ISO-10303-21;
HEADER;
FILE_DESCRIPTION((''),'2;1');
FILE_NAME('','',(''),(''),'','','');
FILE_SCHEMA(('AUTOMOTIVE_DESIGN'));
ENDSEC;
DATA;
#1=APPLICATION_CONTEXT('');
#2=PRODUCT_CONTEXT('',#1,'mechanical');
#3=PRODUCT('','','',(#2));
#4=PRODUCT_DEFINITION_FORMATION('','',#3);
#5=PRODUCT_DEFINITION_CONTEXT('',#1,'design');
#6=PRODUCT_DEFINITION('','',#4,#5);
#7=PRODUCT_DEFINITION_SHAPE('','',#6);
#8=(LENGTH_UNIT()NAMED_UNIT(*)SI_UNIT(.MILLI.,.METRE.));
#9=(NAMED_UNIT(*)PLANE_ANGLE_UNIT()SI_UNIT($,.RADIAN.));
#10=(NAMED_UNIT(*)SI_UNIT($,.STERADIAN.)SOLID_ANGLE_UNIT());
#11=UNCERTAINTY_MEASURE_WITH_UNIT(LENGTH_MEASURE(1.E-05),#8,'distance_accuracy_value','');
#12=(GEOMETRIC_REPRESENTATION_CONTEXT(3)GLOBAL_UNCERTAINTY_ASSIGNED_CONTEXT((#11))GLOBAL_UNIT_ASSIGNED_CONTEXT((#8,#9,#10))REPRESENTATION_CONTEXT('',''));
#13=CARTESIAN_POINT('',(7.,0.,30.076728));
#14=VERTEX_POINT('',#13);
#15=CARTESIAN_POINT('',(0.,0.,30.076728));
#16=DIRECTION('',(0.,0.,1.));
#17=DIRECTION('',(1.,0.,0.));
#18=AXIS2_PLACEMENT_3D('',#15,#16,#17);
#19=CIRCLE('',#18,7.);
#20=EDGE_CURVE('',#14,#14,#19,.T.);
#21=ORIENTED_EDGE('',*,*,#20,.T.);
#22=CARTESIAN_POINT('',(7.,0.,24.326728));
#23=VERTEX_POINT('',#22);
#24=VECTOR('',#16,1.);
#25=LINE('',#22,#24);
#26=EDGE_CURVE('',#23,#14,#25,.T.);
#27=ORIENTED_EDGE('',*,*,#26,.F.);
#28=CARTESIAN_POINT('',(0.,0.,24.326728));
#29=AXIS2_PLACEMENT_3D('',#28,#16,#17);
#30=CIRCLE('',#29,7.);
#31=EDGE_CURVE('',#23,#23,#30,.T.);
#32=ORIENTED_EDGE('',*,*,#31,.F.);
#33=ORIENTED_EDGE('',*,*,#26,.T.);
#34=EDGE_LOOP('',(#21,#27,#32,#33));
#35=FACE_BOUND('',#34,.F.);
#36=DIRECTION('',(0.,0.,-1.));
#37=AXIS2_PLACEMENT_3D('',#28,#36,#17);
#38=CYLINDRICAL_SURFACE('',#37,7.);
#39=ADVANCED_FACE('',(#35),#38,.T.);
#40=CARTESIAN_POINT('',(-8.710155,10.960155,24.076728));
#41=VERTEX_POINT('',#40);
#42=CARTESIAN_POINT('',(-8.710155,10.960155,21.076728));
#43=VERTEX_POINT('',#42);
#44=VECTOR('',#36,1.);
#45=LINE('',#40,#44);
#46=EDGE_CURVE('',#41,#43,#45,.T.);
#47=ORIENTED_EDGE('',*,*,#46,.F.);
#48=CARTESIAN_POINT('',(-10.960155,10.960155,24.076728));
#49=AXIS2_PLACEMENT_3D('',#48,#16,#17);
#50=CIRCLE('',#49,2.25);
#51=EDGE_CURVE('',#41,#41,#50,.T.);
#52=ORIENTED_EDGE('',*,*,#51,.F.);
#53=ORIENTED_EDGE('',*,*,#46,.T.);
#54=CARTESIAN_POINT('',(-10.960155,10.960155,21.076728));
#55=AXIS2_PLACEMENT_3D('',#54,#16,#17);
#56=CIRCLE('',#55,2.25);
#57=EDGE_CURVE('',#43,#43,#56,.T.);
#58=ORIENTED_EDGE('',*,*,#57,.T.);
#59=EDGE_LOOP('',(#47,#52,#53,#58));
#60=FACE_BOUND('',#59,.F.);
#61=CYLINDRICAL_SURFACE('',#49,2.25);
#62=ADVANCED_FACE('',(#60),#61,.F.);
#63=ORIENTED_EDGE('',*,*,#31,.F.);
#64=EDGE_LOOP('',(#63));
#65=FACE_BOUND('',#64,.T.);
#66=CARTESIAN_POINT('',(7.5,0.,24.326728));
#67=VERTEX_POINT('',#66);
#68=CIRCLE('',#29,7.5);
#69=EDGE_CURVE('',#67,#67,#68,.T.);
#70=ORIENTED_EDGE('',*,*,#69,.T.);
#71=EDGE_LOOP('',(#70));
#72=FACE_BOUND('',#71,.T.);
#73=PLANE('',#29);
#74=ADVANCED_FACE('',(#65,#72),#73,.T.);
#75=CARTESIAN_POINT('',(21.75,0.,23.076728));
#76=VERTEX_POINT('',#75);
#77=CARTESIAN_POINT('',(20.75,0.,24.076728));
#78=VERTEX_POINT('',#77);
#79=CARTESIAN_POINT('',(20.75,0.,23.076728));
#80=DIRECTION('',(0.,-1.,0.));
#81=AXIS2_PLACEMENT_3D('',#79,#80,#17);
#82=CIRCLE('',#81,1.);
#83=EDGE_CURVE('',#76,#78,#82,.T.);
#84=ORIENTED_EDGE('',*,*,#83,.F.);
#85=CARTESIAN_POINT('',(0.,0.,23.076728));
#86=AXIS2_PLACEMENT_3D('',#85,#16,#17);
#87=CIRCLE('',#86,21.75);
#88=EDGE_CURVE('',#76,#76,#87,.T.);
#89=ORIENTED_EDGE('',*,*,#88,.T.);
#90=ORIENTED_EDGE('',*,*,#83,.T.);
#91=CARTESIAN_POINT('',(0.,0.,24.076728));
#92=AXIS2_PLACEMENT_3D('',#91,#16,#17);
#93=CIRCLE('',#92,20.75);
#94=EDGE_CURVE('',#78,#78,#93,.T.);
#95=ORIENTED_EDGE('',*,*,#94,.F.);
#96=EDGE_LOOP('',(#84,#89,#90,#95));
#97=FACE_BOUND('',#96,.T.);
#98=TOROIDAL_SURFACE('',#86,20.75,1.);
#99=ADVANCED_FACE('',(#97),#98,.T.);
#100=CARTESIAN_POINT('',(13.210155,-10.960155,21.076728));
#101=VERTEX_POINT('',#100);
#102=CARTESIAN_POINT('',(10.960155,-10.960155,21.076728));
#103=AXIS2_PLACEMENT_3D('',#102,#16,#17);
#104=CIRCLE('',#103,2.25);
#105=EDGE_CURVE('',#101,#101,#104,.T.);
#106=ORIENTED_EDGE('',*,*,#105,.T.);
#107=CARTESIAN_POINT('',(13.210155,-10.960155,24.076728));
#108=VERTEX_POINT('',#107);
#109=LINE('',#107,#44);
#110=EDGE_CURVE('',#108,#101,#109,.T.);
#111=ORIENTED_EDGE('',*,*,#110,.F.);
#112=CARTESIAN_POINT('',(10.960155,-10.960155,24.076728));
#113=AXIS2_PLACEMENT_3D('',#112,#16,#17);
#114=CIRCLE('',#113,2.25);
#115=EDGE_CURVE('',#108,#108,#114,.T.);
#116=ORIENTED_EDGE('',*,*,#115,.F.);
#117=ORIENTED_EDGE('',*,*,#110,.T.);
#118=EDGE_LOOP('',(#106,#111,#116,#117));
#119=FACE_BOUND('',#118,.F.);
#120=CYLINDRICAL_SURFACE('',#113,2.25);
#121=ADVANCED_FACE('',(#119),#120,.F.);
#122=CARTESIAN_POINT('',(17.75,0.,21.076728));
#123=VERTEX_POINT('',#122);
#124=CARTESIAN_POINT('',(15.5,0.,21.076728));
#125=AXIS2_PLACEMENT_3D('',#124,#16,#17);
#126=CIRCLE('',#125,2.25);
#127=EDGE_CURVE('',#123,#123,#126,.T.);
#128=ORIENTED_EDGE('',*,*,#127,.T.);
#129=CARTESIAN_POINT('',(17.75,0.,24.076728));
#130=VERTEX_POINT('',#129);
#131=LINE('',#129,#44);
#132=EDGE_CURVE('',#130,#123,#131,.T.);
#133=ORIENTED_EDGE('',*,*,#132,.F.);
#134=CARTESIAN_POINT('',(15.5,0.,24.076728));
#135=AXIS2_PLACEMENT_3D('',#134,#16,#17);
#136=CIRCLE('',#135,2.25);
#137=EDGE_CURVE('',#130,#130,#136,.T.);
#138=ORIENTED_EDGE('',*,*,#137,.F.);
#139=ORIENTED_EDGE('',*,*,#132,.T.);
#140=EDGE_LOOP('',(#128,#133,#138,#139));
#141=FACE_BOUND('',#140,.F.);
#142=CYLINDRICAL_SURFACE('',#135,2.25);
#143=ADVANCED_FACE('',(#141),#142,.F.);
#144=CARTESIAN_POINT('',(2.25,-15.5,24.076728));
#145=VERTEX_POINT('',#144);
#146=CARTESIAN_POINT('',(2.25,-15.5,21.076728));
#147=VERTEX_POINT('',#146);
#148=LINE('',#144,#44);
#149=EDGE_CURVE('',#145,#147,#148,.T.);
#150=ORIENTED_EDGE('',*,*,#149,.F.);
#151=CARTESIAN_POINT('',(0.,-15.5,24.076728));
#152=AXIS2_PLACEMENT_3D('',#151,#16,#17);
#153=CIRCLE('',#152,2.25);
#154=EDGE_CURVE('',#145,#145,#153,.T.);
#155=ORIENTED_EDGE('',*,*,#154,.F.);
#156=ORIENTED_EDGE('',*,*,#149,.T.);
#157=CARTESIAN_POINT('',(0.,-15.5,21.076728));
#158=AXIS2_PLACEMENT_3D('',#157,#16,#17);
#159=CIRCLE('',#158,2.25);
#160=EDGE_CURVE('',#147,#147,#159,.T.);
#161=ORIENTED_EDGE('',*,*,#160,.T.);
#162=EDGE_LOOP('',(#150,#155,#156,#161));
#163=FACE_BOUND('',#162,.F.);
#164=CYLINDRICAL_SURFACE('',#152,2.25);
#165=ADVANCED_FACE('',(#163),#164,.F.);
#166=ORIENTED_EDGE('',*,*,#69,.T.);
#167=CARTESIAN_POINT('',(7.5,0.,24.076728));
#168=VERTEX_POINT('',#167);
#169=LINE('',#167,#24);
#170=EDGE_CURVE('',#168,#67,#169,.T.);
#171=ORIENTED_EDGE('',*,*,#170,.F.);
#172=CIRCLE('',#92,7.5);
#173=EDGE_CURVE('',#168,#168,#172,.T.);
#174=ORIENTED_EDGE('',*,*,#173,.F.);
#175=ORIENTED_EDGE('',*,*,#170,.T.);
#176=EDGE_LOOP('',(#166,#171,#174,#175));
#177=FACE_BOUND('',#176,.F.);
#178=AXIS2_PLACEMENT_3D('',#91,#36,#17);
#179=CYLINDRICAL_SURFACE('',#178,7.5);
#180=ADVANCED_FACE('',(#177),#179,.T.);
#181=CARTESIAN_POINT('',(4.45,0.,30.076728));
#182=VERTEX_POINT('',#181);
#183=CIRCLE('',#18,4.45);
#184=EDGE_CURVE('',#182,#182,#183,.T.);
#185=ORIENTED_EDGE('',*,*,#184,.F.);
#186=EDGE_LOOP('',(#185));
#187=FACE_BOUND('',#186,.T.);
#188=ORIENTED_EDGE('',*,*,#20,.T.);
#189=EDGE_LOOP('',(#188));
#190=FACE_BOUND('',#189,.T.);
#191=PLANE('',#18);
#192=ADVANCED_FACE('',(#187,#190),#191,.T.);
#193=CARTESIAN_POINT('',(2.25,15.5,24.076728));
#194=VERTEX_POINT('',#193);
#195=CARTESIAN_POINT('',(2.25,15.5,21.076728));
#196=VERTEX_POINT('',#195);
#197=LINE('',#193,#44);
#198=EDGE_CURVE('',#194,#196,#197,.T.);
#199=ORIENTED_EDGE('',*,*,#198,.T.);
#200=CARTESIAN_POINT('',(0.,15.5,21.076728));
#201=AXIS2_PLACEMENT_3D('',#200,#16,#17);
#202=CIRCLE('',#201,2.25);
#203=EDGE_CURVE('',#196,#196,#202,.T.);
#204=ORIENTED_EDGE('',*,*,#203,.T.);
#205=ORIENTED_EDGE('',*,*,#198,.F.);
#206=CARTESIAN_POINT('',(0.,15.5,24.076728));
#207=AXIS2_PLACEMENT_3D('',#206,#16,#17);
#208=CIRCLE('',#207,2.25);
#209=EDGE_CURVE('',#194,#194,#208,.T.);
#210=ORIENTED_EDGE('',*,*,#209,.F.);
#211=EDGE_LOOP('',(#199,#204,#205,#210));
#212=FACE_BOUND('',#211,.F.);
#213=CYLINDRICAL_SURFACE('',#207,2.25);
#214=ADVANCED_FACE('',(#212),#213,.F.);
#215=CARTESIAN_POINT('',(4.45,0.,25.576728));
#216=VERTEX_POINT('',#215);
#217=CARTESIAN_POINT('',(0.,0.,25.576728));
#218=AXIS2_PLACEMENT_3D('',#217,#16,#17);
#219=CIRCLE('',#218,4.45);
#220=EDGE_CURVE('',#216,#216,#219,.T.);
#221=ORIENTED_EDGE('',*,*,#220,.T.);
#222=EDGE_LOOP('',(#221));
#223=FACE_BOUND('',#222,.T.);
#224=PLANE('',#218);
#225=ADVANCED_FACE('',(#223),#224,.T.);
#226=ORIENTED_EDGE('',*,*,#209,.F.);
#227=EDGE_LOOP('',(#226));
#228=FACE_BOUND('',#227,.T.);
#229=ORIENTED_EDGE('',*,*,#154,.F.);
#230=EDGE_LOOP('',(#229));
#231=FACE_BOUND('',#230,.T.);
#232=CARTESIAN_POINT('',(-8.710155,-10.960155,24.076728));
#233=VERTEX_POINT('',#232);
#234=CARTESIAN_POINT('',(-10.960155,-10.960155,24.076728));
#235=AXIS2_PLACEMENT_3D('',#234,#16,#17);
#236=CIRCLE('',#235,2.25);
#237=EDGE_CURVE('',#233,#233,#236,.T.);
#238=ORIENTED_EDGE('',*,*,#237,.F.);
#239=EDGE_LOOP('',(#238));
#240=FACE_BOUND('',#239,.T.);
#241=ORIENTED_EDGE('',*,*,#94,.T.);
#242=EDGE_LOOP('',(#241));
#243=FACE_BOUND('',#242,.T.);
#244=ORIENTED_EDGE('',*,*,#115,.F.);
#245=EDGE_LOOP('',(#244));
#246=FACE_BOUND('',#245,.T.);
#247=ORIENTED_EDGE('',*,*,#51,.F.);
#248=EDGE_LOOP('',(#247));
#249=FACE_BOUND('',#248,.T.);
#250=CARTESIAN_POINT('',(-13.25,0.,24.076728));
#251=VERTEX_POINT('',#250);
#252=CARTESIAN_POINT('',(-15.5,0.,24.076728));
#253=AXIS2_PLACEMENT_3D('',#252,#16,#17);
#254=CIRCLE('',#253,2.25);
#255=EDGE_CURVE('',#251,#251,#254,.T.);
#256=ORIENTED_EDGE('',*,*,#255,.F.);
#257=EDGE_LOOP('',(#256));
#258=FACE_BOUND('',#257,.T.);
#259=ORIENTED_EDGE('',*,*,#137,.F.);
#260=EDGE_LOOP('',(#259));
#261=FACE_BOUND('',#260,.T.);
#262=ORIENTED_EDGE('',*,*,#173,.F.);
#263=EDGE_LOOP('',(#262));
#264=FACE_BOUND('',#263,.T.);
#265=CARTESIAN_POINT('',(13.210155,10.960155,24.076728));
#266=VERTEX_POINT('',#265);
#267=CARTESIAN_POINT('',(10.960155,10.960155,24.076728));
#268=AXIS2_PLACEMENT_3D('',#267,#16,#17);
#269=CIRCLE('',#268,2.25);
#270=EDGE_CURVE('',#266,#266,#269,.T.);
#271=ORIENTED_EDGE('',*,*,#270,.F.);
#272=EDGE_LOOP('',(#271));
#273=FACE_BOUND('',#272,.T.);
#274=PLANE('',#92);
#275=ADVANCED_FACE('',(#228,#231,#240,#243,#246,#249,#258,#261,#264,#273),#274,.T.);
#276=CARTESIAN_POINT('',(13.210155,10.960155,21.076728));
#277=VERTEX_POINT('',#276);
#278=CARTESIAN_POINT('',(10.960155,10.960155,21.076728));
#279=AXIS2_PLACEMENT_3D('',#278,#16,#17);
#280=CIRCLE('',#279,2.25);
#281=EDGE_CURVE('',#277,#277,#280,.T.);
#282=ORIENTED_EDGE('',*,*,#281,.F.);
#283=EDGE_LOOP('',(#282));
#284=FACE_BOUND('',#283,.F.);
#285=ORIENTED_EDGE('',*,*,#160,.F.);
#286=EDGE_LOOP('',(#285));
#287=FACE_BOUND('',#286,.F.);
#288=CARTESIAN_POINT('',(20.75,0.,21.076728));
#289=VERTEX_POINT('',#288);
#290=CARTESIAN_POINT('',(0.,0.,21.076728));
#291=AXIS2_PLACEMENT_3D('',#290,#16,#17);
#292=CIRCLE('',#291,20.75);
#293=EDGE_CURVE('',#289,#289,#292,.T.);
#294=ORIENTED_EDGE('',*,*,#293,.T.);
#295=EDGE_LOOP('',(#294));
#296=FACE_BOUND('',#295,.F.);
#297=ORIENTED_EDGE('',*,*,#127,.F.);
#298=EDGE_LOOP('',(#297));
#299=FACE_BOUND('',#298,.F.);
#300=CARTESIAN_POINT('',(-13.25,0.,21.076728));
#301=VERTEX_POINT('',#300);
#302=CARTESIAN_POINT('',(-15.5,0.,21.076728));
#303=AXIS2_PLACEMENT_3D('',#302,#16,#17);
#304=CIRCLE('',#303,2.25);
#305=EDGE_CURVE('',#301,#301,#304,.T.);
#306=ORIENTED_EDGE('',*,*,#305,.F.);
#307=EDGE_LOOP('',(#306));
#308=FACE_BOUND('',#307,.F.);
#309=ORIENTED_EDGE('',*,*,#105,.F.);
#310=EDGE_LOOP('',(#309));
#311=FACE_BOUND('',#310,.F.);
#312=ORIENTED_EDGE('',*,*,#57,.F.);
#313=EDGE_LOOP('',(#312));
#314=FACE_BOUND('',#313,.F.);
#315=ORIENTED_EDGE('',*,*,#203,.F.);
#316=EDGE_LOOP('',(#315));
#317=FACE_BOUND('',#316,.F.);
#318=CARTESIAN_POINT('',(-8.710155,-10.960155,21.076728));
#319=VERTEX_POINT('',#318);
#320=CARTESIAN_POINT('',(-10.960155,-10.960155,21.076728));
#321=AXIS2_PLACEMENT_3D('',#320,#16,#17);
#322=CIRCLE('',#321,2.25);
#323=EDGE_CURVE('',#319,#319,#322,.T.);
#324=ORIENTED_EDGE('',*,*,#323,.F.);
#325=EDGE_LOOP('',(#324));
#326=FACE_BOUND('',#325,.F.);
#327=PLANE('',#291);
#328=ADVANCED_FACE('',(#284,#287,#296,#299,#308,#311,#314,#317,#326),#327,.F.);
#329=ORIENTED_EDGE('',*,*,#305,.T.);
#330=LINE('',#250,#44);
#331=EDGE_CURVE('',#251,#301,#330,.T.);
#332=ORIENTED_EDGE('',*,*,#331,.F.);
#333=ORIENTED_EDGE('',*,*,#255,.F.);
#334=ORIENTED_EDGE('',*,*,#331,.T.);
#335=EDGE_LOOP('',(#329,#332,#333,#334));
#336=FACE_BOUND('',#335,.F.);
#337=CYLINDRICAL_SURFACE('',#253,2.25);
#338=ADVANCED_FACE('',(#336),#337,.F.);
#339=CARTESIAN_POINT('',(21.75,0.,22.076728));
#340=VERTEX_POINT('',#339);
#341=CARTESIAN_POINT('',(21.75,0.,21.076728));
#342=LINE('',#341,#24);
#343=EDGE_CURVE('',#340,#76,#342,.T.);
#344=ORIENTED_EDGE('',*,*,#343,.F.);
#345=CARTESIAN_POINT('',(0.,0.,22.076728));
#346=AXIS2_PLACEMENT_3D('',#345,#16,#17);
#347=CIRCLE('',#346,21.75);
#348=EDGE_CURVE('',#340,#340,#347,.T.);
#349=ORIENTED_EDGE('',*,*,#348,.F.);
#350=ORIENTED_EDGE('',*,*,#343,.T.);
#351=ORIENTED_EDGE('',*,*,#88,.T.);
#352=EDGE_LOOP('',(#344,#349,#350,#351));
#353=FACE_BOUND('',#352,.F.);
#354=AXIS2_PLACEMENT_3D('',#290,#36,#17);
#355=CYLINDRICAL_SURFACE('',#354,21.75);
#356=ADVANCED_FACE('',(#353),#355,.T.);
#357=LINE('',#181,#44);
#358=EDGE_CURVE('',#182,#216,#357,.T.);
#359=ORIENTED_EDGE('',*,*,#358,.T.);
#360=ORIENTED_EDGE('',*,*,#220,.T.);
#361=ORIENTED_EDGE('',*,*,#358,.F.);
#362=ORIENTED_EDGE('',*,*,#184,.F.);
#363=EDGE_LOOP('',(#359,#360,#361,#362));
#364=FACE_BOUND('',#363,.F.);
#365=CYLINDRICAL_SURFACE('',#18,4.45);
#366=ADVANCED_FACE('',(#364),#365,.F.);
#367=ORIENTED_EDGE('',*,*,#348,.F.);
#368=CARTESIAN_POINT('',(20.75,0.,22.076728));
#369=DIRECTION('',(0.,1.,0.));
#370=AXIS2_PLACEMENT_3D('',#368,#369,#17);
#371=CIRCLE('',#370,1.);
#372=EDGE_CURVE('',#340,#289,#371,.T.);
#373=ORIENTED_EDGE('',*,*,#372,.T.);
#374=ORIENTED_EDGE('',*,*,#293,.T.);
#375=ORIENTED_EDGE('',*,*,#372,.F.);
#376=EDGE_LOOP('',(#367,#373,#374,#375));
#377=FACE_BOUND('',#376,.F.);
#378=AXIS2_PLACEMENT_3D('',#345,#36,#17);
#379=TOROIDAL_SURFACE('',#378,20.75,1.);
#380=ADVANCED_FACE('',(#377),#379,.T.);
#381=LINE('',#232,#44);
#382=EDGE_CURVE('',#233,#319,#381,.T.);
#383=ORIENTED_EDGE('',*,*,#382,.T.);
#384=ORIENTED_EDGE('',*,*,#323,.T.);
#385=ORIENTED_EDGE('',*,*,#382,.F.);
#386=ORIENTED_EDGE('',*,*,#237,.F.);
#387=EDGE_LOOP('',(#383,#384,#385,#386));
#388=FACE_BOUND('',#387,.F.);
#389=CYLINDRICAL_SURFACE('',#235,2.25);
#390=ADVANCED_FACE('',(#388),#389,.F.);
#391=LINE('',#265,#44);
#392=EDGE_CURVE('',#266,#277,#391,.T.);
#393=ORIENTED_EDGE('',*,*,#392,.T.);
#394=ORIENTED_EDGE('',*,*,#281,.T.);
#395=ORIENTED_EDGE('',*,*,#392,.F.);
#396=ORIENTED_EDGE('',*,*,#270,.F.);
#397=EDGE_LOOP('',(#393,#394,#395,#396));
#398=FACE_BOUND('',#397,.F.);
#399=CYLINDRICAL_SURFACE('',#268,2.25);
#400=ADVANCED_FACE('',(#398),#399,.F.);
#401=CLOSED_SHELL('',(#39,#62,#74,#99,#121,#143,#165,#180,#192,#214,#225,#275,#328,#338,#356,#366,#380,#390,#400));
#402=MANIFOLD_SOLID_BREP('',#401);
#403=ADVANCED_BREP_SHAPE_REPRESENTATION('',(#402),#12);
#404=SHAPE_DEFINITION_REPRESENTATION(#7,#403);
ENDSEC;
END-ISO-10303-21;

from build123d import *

# Parameters (mm, degrees)
SKETCH1_R           = 217.5
BOSS_EXTRUDE1_DEPTH = 30
SKETCH2_R           = 75
BOSS_EXTRUDE2_DEPTH = 2.5
SKETCH3_R           = 70
BOSS_EXTRUDE3_DEPTH = 57.5
SKETCH12_R          = 22.5
CUT_EXTRUDE2_DEPTH  = 30
FILLET2_R           = 10
SCALE2_SCALE        = 0.1
SKETCH14_R          = 4.45
CUT_EXTRUDE3_DEPTH  = 4.5


with BuildPart() as part:
    # Sketch1 → Boss-Extrude1 (new body)
    with BuildSketch(Plane.XY):
        Circle(SKETCH1_R)
    extrude(amount=BOSS_EXTRUDE1_DEPTH)

    # Sketch2 → Boss-Extrude2 (add)
    with BuildSketch(Plane.XY.offset(30)):
        Circle(SKETCH2_R)
    extrude(amount=BOSS_EXTRUDE2_DEPTH)

    # Sketch3 → Boss-Extrude3 (add)
    with BuildSketch(Plane.XY.offset(32.5)):
        Circle(SKETCH3_R)
    extrude(amount=BOSS_EXTRUDE3_DEPTH)

    # Sketch12 → Cut-Extrude2 (cut)
    with BuildSketch(Plane.XY.offset(30)):
        with Locations((0, 155)):
            Circle(SKETCH12_R)
        with Locations((109.601551084, 109.601551084)):
            Circle(SKETCH12_R)
        with Locations((155, 0)):
            Circle(SKETCH12_R)
        with Locations((109.601551084, -109.601551084)):
            Circle(SKETCH12_R)
        with Locations((0, -155)):
            Circle(SKETCH12_R)
        with Locations((-109.601551084, -109.601551084)):
            Circle(SKETCH12_R)
        with Locations((-155, 0)):
            Circle(SKETCH12_R)
        with Locations((-109.601551084, 109.601551084)):
            Circle(SKETCH12_R)
    extrude(amount=-CUT_EXTRUDE2_DEPTH, mode=Mode.SUBTRACT)

    # Fillet2
    fillet2_edges = [part.edges().sort_by_distance(p)[0] for p in [
        (-217.5, 0, 0),
        (-217.5, 0, 30),
    ]]
    fillet(fillet2_edges, radius=FILLET2_R)


with BuildPart() as part_1:
    # Scale2: scaled about (0, 0, 23.418586113)
    add(part.part.scale(SCALE2_SCALE).moved(Location((0, 0, 21.076727502))))

    # Sketch14 → Cut-Extrude3 (cut)
    with BuildSketch(Plane.XY.offset(30.076727502)):
        Circle(SKETCH14_R)
    extrude(amount=-CUT_EXTRUDE3_DEPTH, mode=Mode.SUBTRACT)


solid = part_1.part
